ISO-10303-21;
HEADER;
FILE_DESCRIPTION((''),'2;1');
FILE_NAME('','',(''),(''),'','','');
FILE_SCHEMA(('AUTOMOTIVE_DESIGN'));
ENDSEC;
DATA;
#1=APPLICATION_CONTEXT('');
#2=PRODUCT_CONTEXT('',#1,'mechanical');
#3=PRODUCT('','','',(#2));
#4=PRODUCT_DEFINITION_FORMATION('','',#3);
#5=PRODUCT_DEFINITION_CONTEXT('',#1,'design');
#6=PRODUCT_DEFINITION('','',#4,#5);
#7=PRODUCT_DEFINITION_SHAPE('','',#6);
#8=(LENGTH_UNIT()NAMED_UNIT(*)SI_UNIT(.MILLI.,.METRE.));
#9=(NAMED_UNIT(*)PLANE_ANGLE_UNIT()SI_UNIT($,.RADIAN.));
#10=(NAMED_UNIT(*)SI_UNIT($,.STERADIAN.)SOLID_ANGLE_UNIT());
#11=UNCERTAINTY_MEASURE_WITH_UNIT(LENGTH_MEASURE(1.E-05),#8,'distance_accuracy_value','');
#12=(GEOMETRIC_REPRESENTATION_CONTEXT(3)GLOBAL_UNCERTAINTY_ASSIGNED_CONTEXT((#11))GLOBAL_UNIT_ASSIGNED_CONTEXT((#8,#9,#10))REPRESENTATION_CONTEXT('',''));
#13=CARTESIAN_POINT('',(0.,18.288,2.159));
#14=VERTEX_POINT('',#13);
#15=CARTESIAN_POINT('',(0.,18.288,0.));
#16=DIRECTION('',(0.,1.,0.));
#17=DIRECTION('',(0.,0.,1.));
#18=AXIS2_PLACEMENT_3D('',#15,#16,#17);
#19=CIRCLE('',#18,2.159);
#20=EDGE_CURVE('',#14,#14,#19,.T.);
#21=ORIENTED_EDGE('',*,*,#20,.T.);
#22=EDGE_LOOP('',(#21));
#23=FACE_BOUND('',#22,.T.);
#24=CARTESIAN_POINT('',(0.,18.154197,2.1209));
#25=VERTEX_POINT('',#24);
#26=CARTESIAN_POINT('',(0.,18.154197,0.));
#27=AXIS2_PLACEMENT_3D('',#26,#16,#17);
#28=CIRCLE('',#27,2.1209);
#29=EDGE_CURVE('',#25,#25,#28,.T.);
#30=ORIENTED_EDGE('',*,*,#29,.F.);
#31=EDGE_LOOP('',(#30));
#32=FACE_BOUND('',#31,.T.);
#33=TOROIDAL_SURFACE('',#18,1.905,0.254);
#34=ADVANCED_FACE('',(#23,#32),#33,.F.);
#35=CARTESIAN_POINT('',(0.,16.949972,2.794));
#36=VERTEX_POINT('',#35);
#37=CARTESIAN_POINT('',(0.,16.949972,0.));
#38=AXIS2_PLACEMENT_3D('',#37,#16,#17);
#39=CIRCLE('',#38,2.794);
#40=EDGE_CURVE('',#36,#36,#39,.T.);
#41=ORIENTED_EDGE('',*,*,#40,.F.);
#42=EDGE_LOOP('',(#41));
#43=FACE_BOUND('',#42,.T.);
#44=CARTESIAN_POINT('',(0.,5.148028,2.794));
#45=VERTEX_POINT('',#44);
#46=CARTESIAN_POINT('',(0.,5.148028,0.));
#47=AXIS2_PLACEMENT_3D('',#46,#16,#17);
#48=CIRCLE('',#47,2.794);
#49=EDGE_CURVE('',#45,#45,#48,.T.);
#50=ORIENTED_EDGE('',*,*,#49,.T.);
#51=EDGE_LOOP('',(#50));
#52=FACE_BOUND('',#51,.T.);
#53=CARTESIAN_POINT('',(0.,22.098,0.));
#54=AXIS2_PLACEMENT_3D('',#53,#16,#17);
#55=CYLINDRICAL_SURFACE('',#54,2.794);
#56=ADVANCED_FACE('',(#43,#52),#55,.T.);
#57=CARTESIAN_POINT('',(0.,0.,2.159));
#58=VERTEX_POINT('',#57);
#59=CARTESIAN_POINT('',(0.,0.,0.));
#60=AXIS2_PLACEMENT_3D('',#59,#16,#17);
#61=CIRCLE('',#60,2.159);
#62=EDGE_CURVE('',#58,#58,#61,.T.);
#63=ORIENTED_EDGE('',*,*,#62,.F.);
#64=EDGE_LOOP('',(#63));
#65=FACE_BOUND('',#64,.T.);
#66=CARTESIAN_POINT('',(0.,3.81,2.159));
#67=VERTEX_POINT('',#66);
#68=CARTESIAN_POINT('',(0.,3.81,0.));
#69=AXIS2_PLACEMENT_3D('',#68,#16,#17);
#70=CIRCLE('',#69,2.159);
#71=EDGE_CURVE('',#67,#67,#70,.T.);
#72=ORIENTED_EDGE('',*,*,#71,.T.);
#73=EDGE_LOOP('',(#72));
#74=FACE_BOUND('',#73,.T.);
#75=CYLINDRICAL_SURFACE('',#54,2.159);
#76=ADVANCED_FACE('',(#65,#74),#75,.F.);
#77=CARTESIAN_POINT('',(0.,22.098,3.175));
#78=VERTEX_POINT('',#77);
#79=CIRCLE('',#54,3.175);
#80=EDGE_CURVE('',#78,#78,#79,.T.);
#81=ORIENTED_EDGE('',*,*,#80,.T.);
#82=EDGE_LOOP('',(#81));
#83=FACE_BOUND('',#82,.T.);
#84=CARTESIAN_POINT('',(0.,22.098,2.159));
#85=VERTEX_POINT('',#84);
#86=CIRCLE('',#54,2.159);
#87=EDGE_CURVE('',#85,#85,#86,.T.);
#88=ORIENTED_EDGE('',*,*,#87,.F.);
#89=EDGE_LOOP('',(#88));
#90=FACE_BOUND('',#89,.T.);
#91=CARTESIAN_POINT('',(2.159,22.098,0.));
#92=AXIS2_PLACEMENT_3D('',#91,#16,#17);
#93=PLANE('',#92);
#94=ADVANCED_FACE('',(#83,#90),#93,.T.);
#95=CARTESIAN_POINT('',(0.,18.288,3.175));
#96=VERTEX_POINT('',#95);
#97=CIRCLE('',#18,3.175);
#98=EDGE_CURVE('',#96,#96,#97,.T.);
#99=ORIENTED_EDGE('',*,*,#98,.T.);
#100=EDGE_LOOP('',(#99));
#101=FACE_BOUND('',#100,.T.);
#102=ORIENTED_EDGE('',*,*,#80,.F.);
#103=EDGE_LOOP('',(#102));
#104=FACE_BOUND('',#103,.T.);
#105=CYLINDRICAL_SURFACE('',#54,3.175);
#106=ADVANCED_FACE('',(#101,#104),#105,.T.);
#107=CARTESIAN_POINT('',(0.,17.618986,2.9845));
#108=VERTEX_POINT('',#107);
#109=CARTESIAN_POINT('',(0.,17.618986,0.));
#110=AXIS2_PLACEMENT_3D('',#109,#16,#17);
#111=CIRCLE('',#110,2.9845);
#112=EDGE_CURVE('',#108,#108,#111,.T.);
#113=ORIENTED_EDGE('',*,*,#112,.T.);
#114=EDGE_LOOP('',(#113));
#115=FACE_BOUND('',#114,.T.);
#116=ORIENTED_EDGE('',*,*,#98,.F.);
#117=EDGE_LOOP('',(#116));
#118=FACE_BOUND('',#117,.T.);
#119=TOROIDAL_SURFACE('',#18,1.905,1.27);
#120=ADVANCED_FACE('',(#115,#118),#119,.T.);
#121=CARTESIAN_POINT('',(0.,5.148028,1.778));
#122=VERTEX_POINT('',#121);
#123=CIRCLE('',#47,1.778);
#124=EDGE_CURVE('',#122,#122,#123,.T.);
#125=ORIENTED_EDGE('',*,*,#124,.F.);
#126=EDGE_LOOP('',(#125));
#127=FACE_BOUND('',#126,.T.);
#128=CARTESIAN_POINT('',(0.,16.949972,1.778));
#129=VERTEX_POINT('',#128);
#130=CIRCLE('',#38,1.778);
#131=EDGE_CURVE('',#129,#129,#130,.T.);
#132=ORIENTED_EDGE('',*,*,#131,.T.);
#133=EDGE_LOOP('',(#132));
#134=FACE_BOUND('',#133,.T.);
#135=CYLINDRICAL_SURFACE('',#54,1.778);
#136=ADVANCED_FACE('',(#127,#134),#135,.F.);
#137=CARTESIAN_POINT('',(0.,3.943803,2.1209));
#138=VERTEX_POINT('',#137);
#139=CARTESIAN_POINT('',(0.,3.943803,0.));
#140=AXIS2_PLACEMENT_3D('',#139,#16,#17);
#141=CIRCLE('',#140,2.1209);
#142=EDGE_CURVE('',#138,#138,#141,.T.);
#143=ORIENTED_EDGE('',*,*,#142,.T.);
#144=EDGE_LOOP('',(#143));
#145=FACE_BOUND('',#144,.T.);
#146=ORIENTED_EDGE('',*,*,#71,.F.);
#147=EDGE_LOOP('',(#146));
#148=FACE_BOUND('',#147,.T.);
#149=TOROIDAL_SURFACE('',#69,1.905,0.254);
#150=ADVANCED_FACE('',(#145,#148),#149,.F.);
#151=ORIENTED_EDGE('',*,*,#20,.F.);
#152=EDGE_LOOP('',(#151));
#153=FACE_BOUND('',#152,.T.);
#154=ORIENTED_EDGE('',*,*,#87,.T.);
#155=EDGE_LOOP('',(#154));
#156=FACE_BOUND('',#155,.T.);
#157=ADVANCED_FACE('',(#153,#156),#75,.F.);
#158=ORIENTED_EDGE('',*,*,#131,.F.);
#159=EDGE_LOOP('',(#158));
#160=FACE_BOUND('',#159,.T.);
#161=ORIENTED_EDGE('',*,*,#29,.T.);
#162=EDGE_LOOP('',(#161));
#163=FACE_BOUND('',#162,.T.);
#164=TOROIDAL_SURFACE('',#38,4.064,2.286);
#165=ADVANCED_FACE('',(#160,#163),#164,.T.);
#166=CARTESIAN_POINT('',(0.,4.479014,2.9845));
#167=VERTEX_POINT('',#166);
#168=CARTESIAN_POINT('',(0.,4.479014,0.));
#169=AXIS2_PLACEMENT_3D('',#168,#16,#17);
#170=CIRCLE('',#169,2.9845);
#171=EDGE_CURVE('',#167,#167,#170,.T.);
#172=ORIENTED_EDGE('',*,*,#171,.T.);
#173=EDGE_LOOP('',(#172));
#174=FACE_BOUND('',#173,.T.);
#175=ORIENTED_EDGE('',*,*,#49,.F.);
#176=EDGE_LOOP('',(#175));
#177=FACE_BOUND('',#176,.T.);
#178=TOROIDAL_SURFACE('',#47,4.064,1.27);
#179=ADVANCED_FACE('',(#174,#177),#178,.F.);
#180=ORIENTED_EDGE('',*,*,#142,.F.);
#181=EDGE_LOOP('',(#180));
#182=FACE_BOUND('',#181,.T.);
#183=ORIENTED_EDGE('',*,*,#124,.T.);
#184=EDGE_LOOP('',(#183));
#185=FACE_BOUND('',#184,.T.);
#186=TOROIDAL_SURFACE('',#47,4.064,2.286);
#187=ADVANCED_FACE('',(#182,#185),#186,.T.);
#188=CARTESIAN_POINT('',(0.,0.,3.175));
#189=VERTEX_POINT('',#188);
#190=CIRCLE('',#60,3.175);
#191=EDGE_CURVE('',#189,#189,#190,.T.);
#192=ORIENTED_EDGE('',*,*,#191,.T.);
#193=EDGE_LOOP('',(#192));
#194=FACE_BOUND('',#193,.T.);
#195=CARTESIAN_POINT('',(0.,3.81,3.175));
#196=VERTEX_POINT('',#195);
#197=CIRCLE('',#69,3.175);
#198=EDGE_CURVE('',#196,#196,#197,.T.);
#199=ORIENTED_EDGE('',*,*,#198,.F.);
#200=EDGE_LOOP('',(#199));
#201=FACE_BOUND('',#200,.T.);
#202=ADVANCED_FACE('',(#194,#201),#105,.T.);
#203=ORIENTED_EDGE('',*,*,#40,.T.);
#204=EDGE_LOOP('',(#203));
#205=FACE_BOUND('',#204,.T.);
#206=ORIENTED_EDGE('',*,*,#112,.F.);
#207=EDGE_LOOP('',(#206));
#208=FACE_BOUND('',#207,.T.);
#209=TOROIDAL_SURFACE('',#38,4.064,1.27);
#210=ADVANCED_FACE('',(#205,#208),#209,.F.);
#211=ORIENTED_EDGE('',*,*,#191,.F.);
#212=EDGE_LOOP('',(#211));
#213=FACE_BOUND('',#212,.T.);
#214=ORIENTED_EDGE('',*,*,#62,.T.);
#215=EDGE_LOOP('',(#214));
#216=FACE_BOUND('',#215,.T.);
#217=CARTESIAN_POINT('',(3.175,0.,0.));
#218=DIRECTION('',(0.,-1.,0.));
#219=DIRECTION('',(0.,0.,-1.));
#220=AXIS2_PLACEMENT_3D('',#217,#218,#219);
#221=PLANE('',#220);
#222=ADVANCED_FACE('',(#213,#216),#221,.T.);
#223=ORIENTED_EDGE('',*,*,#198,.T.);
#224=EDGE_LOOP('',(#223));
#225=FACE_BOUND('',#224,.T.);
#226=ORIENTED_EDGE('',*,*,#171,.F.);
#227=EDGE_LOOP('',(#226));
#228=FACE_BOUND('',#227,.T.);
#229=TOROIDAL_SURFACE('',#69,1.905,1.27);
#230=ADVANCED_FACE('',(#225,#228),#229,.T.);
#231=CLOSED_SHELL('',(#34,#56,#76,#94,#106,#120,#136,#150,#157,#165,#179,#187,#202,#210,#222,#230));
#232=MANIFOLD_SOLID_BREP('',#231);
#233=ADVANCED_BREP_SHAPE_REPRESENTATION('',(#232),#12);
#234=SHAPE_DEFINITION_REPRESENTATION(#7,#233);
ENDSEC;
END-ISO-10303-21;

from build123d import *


with BuildPart() as part:
    # Sketch1 → Revolve-Thin1 (revolve)
    with BuildSketch(Plane.XY):
        with BuildLine():
            Line((3.175, 22.098), (3.175, 18.288))
            ThreePointArc((3.175, 18.288), (3.126446888, 17.940196176), (2.9845, 17.618985987))
            ThreePointArc((2.9845, 17.618985987), (2.842553112, 17.297775797), (2.794, 16.949971973))
            Line((2.794, 16.949971973), (2.794, 5.148028027))
            ThreePointArc((2.794, 5.148028027), (2.842553112, 4.800224203), (2.9845, 4.479014013))
            ThreePointArc((2.9845, 4.479014013), (3.126446888, 4.157803824), (3.175, 3.81))
            Line((3.175, 3.81), (3.175, 0))
            Line((3.175, 0), (2.159, 0))
            Line((2.159, 0), (2.159, 3.81))
            ThreePointArc((2.159, 3.81), (2.149289378, 3.879560765), (2.1209, 3.943802803))
            ThreePointArc((2.1209, 3.943802803), (1.865395602, 4.521981143), (1.778, 5.148028027))
            Line((1.778, 5.148028027), (1.778, 16.949971973))
            ThreePointArc((1.778, 16.949971973), (1.865395602, 17.576018857), (2.1209, 18.154197197))
            ThreePointArc((2.1209, 18.154197197), (2.149289378, 18.218439235), (2.159, 18.288))
            Line((2.159, 18.288), (2.159, 22.098))
            Line((2.159, 22.098), (3.175, 22.098))
        make_face()
    revolve(axis=Axis((0, 22.098, 0), (0, -1, 0)))


solid = part.part
